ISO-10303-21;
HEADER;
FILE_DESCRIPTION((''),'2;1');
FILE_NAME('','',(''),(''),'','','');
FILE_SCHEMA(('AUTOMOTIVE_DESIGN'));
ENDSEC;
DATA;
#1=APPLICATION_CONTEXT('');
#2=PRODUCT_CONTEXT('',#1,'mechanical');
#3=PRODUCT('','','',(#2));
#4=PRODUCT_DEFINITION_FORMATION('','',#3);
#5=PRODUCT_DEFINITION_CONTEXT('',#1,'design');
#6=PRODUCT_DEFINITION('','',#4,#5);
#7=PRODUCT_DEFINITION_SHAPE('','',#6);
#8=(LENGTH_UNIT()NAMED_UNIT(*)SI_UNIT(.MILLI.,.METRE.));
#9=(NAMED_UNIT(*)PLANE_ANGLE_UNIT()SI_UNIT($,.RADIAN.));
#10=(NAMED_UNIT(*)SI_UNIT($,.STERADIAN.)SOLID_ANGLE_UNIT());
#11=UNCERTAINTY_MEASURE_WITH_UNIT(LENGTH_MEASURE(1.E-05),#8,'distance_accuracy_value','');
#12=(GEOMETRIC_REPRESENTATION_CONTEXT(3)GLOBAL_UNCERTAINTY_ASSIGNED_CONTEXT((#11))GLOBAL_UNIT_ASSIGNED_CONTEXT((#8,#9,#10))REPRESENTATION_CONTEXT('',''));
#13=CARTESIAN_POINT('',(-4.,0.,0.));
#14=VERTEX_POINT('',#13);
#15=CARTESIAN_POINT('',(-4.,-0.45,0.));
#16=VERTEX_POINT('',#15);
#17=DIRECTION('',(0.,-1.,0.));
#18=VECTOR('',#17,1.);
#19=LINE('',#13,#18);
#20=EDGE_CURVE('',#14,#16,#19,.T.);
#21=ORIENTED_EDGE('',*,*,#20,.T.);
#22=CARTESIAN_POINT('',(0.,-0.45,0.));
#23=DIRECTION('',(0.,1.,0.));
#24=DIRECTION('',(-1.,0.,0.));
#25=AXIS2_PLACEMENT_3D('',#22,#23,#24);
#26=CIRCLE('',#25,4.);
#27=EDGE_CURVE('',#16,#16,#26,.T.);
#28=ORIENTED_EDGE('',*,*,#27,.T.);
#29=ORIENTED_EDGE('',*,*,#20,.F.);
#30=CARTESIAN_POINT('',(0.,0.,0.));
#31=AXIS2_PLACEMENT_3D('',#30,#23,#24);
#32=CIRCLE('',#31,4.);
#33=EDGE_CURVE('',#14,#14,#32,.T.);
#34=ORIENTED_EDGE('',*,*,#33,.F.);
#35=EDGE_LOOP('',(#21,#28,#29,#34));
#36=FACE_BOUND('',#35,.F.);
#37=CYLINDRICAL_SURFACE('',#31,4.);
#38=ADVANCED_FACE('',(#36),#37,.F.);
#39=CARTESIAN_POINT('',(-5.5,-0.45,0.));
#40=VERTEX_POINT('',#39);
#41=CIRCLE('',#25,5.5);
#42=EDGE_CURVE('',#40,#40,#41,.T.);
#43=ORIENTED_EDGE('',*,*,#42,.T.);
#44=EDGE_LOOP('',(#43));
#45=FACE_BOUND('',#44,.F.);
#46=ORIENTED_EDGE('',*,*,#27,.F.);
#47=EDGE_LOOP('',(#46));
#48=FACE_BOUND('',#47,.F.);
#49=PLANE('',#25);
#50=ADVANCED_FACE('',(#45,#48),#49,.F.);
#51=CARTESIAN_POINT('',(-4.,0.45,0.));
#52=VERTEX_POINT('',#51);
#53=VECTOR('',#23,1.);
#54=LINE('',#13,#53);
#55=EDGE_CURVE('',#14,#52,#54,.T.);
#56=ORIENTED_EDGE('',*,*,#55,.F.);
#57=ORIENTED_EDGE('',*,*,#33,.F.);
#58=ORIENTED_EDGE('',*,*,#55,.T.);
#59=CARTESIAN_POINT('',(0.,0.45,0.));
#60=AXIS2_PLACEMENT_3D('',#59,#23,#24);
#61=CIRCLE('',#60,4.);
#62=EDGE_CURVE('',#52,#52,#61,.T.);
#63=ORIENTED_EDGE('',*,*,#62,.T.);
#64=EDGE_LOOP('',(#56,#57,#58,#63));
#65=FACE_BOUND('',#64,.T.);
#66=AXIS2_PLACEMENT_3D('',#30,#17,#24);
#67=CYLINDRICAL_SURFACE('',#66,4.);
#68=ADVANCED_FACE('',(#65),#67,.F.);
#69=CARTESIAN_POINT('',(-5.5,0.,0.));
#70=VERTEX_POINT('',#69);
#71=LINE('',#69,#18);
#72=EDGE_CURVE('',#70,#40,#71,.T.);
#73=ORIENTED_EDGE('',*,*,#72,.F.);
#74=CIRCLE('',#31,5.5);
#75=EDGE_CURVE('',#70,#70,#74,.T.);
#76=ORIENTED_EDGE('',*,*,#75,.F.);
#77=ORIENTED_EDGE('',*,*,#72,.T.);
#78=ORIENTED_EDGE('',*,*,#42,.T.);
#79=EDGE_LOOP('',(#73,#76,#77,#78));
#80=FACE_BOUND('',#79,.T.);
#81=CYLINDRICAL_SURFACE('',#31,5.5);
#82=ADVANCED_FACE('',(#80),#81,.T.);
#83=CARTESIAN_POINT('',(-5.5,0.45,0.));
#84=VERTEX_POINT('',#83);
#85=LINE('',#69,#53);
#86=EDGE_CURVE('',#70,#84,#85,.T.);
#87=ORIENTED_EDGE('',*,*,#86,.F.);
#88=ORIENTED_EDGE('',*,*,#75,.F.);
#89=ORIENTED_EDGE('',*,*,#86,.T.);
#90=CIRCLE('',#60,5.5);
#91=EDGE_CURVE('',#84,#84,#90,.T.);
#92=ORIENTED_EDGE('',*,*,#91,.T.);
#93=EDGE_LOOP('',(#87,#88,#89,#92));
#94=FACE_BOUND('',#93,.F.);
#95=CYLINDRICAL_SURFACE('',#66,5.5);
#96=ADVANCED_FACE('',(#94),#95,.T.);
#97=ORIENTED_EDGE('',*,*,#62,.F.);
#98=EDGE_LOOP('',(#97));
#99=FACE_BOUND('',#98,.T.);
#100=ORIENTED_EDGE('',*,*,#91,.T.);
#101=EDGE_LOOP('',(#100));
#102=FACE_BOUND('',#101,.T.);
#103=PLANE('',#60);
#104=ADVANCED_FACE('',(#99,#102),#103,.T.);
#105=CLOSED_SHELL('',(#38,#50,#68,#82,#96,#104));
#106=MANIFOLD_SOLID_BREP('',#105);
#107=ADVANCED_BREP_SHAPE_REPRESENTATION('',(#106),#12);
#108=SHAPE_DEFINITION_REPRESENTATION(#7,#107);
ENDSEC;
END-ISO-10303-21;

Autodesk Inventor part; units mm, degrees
ref_plane "YZ Plane" through (0, 0, 0) normal (1, 0, 0) x (0, 1, 0)
ref_plane "XZ Plane" through (0, 0, 0) normal (0, 1, 0) x (-1, 0, 0)
ref_plane "XY Plane" through (0, 0, 0) normal (0, 0, 1) x (1, 0, 0)
sketch "Sketch1" plane through (0, 0, 0) normal (0, 1, 0) x (-1, 0, 0)
  circle A0 centre (0, 0) radius 4
  circle A1 centre (0, 0) radius 5.5
  dimension "d0" = 8
  dimension "d1" = 11
extrude "Extrusion1" add sketch "Sketch1" along normal mid plane 0.9
properties part number "EndEffectorSpacer1"
